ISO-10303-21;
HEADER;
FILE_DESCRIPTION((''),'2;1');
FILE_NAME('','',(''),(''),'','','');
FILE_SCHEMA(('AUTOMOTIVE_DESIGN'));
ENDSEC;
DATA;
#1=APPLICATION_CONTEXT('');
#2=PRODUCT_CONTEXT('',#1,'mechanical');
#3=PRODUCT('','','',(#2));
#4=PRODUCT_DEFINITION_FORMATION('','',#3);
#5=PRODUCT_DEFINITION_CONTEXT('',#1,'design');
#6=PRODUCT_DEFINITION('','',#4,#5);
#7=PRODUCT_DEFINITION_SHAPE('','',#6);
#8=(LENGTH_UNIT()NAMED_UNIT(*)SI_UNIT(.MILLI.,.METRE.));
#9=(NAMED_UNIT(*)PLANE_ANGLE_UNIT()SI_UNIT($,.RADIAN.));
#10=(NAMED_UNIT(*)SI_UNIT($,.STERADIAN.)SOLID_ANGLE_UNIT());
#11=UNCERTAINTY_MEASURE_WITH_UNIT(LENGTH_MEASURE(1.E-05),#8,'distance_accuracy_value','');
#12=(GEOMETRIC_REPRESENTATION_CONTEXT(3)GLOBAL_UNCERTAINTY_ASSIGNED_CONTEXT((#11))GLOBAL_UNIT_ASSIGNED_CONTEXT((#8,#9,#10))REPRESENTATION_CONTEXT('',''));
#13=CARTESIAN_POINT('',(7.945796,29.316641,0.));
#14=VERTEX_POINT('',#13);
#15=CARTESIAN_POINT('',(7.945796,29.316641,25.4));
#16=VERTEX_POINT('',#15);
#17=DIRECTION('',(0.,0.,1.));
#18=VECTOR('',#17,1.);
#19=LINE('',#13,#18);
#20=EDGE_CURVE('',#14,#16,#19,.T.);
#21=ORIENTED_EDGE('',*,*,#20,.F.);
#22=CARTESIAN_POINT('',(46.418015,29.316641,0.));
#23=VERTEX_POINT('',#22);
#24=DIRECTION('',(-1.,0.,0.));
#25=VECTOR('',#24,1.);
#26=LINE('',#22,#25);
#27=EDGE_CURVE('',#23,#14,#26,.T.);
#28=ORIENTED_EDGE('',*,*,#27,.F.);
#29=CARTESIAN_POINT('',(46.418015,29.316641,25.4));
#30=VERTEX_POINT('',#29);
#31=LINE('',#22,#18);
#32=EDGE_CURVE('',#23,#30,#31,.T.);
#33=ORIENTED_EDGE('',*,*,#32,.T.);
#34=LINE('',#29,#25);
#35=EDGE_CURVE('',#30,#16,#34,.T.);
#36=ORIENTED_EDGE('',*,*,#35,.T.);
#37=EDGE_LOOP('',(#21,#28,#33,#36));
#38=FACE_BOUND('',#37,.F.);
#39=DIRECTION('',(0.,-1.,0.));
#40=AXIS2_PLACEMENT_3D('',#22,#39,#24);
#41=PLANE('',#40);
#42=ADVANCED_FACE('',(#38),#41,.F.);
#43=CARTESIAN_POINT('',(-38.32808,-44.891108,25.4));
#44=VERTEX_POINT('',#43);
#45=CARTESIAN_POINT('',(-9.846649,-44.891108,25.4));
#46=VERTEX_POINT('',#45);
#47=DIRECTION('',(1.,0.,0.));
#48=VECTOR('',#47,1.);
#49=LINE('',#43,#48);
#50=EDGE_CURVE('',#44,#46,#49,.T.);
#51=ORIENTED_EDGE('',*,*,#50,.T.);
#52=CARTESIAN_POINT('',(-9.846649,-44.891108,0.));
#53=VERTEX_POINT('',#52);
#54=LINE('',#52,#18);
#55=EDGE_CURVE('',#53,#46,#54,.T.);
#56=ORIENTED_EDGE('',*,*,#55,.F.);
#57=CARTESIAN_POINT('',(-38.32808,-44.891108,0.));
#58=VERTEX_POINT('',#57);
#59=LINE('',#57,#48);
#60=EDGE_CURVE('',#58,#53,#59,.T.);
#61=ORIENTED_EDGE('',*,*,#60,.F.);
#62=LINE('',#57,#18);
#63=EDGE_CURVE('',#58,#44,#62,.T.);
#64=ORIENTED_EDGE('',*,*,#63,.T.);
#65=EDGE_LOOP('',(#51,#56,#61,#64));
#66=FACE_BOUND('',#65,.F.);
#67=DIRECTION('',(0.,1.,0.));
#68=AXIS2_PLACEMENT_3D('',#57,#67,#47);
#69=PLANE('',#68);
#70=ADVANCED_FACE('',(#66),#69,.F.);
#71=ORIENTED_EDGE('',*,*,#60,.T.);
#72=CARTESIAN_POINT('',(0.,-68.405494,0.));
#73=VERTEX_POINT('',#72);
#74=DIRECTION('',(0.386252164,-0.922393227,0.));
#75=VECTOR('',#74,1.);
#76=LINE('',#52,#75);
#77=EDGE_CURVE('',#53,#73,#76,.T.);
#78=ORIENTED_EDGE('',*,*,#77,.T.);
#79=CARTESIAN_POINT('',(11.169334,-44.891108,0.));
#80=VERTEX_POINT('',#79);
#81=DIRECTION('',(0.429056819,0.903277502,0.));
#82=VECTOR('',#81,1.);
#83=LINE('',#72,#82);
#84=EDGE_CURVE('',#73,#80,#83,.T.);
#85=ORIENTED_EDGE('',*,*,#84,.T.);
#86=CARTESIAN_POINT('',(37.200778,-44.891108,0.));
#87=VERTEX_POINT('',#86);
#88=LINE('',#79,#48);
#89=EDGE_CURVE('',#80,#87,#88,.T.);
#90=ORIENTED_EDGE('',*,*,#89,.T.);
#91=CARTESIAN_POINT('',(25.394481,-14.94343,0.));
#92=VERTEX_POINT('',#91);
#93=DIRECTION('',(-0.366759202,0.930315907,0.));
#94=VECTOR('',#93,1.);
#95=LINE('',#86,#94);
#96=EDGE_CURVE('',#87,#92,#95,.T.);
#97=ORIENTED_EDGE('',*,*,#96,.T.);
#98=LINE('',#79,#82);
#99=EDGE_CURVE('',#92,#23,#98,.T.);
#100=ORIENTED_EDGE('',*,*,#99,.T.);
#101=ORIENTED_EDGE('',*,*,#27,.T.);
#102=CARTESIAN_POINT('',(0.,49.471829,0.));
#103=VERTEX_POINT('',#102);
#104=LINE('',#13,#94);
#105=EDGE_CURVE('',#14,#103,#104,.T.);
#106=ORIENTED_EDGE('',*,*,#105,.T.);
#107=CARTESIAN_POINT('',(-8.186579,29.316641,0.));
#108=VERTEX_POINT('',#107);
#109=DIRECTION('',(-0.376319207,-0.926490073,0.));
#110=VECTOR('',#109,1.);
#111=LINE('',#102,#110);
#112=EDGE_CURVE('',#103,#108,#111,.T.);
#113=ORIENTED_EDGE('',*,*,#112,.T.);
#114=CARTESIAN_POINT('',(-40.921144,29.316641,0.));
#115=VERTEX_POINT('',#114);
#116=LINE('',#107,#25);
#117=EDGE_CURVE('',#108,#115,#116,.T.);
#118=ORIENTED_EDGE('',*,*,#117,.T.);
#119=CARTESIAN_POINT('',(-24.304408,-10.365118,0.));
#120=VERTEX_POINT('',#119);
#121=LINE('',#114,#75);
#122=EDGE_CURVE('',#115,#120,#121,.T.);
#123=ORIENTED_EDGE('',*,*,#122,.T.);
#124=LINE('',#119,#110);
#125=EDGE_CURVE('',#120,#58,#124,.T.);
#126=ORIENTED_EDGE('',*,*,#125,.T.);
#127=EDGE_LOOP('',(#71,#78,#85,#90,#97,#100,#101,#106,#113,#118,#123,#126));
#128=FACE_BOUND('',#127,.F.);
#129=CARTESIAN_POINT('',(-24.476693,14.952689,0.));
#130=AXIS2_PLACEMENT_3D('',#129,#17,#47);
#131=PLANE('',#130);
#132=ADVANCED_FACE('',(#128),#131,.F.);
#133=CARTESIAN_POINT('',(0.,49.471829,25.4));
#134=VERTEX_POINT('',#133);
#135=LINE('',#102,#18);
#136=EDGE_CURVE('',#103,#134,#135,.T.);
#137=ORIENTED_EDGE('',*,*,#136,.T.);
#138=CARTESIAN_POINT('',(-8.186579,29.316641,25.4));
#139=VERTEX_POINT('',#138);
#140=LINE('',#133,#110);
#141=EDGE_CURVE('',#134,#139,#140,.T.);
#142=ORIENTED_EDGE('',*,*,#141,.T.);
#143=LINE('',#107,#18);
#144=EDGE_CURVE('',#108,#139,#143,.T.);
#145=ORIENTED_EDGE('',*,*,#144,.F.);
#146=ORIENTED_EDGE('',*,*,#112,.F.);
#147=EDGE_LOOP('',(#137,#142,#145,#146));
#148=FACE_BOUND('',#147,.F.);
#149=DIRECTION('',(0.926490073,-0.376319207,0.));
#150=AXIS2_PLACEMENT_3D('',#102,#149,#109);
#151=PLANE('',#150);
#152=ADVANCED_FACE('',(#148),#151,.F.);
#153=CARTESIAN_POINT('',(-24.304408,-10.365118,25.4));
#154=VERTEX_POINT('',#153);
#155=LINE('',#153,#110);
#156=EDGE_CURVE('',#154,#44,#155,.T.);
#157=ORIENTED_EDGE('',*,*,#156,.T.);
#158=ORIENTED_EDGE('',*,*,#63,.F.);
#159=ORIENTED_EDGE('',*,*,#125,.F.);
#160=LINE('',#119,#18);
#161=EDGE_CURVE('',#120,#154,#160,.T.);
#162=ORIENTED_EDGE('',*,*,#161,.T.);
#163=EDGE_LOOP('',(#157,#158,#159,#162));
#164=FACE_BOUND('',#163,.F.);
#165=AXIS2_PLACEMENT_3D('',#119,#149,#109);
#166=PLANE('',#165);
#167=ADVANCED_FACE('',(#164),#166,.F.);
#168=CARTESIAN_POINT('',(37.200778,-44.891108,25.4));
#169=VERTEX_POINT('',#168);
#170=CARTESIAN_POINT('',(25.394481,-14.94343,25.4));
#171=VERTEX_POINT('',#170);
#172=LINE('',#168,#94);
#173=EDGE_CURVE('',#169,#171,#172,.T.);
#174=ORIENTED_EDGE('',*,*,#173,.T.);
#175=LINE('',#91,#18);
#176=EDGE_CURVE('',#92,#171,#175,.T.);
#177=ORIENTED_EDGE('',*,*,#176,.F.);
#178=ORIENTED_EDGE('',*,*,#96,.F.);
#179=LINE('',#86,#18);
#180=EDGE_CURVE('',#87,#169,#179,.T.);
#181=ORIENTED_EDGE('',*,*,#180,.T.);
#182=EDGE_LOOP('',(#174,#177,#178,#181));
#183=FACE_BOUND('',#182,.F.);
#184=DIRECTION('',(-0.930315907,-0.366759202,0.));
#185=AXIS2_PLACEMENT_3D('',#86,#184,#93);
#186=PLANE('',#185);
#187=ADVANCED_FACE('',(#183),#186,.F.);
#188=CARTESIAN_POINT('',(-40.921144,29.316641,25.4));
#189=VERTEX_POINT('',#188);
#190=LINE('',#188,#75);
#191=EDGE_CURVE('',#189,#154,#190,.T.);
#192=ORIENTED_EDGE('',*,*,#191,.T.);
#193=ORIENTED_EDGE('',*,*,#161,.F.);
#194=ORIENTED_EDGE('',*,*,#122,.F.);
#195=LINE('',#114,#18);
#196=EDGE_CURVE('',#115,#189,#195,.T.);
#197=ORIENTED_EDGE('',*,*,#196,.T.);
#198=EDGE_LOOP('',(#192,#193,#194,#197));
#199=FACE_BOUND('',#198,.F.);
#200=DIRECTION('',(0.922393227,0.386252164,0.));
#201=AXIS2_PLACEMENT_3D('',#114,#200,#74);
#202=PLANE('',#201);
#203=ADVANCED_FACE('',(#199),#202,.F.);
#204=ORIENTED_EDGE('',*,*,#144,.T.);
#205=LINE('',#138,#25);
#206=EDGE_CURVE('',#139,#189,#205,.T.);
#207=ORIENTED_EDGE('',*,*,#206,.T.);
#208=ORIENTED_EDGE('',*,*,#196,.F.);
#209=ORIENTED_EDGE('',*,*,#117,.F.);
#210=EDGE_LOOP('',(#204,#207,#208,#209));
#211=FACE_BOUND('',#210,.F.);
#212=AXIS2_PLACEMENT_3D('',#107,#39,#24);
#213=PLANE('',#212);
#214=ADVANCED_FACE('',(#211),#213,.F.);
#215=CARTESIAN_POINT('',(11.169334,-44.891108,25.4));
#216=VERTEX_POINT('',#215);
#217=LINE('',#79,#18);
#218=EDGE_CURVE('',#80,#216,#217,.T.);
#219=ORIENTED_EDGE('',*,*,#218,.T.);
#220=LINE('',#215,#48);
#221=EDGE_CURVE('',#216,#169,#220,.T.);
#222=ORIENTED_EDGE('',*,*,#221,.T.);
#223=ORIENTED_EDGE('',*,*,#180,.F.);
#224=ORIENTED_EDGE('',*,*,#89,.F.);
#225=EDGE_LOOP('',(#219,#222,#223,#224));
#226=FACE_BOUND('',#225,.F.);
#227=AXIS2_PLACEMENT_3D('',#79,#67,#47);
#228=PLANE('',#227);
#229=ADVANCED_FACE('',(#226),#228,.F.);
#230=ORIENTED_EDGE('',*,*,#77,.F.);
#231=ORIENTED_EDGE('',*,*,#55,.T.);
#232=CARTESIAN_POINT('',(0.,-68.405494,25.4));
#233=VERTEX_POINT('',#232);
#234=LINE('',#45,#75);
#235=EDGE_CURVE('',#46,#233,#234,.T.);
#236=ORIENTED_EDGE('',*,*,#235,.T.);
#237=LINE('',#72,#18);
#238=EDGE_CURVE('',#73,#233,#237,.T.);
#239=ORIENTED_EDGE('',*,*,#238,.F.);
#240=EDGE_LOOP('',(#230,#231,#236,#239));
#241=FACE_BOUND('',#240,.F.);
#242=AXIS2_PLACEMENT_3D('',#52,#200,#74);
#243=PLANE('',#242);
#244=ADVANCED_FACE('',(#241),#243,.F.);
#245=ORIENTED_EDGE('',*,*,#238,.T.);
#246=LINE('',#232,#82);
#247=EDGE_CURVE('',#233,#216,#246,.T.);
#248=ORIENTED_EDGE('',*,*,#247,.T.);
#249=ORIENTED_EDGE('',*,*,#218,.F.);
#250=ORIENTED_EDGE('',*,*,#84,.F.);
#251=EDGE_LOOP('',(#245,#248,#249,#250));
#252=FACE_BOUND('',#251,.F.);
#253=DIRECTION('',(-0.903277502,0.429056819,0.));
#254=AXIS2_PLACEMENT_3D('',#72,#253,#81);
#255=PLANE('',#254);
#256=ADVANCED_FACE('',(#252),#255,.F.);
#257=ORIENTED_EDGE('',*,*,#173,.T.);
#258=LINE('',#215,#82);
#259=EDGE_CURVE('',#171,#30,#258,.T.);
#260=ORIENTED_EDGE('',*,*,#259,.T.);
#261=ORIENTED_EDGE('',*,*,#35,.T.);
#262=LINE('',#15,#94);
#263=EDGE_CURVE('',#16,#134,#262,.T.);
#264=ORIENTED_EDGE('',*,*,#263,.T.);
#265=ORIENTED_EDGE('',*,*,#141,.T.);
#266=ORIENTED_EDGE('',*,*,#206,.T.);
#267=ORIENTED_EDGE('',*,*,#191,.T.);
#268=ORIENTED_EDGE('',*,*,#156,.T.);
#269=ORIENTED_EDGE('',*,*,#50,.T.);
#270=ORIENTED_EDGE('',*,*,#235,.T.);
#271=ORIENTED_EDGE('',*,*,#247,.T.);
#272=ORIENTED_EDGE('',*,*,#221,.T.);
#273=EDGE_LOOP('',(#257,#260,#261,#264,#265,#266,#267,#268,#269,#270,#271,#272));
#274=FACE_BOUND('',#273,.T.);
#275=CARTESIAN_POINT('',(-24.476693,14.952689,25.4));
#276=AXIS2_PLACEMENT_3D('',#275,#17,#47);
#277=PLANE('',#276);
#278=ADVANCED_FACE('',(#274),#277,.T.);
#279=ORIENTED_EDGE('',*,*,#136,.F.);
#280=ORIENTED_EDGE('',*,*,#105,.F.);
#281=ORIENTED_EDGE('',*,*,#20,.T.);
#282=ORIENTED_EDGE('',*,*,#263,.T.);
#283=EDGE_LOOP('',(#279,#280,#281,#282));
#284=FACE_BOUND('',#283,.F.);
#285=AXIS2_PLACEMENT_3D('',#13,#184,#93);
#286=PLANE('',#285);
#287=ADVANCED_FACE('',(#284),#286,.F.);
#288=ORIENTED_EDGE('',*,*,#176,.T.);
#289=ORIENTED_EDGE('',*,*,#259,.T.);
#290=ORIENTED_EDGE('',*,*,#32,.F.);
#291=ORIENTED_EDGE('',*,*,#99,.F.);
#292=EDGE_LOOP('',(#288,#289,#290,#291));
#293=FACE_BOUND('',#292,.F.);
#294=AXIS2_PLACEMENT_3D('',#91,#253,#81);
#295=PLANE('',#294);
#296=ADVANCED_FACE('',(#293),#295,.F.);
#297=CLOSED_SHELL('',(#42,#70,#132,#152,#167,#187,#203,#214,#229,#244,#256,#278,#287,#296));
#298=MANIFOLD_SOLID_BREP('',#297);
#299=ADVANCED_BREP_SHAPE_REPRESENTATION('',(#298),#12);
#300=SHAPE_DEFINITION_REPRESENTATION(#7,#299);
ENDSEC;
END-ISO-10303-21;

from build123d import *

# Parameters (mm, degrees)
F1_DEPTH = 25.4


with BuildPart() as f1:
    # F0 (on Top) → F1 (new body)
    with BuildSketch(Plane.XY):
        Polygon((-8.186579082, 29.3166413903), (-40.9211441875, 29.3166413903), (-24.3044075905, -10.3651176924), align=None)
        Polygon((0, 49.4718290865), (-8.186579082, 29.3166413903), (7.9457961573, 29.3166413903), align=None)
        Polygon((7.9457961573, 29.3166413903), (-8.186579082, 29.3166413903), (-24.3044075905, -10.3651176924), (-9.8466492379, -44.8911078274), (11.169333611, -44.8911078274), (25.3944805374, -14.9434304482), align=None)
        Polygon((-9.8466492379, -44.8911078274), (-24.3044075905, -10.3651176924), (-38.3280799513, -44.8911078274), align=None)
        Polygon((46.4180149138, 29.3166413903), (7.9457961573, 29.3166413903), (25.3944805374, -14.9434304482), align=None)
        Polygon((11.169333611, -44.8911078274), (-9.8466492379, -44.8911078274), (0, -68.4054940939), align=None)
        Polygon((37.2007779247, -44.8911078274), (25.3944805374, -14.9434304482), (11.169333611, -44.8911078274), align=None)
    extrude(amount=F1_DEPTH)


solid = f1.part
